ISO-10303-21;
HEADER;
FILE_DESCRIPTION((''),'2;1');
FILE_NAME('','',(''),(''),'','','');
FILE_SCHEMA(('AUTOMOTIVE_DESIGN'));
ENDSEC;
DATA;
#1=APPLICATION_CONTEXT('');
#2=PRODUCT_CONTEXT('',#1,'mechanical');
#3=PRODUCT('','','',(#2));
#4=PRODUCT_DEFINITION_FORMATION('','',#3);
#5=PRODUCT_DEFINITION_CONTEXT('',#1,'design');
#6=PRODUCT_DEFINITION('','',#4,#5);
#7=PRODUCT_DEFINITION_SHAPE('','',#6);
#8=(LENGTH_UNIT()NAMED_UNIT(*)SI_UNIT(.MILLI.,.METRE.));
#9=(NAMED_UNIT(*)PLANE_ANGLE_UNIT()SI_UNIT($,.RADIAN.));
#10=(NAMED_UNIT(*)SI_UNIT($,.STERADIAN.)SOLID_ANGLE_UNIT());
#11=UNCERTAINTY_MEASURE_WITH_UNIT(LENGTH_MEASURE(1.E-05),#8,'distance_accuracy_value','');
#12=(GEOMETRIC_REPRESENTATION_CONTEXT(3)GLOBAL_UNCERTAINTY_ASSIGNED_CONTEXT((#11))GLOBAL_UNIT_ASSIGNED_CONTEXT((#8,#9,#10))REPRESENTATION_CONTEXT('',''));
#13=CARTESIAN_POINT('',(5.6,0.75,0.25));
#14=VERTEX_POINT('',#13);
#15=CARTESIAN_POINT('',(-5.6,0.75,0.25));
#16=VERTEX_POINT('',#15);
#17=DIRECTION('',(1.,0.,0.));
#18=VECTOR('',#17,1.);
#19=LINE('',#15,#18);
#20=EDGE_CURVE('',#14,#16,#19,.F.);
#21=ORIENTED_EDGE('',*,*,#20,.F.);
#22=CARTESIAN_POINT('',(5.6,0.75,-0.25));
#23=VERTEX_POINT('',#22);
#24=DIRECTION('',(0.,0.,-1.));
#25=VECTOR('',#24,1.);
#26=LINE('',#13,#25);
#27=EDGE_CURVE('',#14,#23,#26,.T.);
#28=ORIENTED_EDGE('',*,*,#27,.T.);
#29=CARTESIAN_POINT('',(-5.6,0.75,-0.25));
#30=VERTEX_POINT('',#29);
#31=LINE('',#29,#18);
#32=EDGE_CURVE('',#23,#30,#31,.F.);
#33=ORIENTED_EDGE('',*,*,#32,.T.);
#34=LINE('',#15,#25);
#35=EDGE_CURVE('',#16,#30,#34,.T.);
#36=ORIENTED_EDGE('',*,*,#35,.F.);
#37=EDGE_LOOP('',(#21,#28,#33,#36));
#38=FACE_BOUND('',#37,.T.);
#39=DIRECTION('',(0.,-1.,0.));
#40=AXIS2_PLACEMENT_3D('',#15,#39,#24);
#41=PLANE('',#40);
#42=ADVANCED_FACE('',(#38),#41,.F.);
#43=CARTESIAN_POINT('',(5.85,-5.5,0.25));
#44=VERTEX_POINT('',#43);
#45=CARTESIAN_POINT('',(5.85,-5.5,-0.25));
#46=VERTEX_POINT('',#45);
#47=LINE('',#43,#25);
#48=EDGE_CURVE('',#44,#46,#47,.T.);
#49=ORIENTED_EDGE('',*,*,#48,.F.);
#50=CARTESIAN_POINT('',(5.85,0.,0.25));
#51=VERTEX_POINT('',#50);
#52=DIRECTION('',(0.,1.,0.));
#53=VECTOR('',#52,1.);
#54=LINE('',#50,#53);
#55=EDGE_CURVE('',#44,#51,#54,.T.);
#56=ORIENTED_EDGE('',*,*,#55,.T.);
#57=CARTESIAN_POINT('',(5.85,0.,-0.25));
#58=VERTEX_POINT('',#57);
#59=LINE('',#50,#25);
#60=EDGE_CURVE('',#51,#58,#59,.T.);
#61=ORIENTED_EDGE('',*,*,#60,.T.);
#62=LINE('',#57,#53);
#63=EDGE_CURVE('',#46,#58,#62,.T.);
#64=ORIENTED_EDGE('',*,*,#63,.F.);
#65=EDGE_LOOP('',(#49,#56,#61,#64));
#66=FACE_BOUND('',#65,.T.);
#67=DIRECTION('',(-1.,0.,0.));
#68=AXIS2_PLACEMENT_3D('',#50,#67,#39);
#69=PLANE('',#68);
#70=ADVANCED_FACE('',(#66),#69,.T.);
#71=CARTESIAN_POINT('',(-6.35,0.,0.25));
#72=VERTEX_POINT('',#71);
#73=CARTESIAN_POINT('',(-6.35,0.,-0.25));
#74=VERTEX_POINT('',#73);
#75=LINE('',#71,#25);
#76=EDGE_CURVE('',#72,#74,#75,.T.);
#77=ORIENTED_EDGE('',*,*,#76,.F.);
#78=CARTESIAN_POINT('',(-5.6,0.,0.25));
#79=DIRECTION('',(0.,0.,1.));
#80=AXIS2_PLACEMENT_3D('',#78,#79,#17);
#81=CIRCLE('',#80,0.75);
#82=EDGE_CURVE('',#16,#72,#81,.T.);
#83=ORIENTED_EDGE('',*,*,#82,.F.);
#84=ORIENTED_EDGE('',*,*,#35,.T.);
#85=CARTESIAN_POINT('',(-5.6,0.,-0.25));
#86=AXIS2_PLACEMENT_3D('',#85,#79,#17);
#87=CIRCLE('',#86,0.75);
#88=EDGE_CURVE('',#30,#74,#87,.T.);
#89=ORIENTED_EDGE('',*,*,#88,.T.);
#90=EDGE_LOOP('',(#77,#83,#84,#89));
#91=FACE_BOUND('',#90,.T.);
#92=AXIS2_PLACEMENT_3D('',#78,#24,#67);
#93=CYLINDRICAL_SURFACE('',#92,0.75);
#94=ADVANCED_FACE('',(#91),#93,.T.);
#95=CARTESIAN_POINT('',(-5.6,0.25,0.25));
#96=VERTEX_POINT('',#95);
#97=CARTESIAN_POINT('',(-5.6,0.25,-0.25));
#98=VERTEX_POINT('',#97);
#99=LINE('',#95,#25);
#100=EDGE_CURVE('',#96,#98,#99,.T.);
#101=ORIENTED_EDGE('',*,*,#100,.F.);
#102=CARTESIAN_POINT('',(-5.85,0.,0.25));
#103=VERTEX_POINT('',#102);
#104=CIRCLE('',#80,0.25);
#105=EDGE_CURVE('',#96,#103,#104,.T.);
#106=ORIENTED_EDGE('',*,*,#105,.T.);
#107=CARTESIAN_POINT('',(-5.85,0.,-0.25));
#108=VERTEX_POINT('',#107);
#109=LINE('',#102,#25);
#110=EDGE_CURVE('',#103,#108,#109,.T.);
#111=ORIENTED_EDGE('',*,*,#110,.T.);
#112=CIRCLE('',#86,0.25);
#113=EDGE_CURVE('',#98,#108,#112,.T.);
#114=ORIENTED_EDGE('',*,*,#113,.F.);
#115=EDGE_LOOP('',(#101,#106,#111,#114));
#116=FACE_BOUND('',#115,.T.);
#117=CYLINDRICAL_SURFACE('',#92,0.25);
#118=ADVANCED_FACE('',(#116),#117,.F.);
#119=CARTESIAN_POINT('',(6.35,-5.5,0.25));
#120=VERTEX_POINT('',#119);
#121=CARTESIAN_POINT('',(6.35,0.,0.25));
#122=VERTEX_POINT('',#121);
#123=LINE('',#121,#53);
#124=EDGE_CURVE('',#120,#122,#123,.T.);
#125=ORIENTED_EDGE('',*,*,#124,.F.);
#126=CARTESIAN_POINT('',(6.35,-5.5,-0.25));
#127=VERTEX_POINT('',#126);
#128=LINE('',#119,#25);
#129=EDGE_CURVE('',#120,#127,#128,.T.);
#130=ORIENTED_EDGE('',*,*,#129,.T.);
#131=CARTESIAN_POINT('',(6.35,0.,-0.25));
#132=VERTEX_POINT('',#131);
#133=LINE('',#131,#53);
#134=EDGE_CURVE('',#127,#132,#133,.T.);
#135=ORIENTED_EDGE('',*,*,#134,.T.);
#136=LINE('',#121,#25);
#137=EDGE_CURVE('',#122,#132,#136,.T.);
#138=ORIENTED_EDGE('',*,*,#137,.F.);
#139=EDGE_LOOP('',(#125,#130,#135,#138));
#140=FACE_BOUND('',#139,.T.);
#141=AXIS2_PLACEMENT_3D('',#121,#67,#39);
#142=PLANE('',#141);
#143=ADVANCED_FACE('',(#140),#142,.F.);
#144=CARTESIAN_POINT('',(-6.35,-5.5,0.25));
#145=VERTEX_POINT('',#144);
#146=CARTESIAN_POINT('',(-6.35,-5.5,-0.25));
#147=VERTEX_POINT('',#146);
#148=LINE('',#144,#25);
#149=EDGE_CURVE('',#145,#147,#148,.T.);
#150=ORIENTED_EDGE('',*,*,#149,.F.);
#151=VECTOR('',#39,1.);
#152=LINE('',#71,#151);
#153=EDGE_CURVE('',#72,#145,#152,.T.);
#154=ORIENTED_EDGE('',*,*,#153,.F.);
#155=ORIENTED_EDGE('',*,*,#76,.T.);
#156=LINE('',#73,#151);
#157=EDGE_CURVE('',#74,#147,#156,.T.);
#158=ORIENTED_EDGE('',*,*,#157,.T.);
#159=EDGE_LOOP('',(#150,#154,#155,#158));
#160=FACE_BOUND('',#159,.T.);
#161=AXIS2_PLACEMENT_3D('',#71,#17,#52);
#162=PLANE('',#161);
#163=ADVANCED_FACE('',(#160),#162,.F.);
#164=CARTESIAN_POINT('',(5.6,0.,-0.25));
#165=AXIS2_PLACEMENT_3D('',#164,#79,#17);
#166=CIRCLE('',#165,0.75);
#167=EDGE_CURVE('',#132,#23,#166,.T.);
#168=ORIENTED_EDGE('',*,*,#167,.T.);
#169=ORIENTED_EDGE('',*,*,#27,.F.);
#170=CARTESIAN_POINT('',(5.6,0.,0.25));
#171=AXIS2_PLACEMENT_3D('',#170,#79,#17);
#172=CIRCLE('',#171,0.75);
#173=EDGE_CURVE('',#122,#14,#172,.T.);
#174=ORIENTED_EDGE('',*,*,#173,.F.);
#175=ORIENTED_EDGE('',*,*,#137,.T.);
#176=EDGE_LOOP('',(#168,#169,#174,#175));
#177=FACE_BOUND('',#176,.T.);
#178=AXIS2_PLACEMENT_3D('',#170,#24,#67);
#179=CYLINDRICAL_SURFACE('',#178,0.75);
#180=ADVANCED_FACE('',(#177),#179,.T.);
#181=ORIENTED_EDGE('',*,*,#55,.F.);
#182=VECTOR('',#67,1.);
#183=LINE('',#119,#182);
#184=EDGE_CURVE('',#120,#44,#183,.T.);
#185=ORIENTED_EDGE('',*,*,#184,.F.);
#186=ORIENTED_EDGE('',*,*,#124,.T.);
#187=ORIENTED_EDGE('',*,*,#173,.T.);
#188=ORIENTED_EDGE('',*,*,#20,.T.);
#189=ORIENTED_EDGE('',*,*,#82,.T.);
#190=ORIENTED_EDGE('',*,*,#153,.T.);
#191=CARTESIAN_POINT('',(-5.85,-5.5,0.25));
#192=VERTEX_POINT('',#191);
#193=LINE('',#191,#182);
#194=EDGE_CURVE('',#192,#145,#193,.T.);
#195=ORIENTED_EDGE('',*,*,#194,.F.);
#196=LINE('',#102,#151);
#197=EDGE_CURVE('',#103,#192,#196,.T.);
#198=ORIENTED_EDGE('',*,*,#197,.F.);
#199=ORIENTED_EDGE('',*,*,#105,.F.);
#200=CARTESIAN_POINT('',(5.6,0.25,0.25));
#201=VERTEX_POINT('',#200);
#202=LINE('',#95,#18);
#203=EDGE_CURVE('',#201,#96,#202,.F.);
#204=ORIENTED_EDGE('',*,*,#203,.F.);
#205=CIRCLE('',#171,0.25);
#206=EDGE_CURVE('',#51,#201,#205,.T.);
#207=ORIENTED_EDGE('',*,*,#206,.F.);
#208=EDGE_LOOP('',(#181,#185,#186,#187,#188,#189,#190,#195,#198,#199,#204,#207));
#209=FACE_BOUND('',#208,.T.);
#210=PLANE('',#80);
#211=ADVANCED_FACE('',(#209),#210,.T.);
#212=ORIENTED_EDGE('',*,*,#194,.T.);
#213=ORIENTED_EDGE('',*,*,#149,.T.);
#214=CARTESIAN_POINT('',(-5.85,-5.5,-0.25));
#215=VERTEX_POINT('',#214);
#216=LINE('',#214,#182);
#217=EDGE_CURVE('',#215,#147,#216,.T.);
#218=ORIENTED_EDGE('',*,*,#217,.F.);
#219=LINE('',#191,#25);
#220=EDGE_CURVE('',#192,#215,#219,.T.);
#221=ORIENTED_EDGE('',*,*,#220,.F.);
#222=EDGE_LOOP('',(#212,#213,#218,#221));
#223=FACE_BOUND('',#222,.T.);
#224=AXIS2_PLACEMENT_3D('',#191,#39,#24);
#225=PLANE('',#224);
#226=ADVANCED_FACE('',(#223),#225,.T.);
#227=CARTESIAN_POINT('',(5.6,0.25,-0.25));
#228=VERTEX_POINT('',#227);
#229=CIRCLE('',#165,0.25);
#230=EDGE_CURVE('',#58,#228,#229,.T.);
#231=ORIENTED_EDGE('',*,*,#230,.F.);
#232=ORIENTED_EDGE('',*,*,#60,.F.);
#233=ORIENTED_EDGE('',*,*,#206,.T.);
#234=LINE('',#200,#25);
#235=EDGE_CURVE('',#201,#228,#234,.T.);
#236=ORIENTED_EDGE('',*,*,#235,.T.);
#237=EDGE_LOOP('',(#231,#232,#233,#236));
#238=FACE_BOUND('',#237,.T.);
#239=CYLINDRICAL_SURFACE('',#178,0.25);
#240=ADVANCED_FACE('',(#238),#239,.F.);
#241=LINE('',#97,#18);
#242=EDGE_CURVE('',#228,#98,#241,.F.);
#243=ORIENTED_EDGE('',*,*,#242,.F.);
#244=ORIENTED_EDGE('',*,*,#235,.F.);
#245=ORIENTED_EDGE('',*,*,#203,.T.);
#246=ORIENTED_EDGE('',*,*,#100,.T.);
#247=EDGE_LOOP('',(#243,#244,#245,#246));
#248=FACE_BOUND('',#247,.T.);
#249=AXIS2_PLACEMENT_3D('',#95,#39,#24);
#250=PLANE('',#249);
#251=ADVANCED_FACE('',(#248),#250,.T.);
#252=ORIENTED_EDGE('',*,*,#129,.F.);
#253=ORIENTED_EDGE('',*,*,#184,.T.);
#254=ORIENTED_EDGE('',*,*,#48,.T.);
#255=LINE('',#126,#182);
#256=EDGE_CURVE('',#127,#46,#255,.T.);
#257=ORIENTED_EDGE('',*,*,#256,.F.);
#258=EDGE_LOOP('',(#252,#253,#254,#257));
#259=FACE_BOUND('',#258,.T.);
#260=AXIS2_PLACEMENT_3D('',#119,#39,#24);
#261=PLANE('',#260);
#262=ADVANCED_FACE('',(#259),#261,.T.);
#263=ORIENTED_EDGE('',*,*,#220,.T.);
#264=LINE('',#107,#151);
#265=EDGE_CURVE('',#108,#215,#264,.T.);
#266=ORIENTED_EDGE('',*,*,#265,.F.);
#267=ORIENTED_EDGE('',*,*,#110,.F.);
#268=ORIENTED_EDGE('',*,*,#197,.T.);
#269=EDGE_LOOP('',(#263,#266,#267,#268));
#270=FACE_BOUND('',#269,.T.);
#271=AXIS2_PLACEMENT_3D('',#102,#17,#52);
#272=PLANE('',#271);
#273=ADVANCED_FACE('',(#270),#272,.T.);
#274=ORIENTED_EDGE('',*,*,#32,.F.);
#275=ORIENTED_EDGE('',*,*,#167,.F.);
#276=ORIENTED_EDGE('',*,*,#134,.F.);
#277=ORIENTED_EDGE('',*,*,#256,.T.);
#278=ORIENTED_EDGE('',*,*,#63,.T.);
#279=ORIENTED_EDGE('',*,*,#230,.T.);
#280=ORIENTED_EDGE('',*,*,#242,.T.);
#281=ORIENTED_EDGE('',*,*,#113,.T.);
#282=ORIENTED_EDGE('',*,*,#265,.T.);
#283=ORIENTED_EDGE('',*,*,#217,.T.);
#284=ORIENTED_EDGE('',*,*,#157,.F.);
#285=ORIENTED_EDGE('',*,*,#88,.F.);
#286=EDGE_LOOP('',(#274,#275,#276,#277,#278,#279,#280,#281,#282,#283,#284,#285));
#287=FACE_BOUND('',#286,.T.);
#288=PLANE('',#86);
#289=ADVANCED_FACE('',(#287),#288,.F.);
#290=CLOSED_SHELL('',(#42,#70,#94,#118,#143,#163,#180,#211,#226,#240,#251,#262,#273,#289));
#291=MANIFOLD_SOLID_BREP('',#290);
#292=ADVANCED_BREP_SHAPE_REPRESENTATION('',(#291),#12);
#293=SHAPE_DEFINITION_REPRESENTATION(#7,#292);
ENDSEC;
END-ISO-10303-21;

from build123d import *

# Parameters (mm, degrees)
EXTRUDE_THIN2_DEPTH = 0.25


with BuildPart() as part:
    # Sketch1 → Extrude-Thin2 (new body, symmetric)
    with BuildSketch(Plane.XY):
        with BuildLine():
            Line((-5.85, -5.5), (-5.85, 0))
            ThreePointArc((-5.85, 0), (-5.776776695, 0.176776695), (-5.6, 0.25))
            Line((-5.6, 0.25), (5.6, 0.25))
            ThreePointArc((5.6, 0.25), (5.776776695, 0.176776695), (5.85, 0))
            Line((5.85, 0), (5.85, -5.5))
            Line((5.85, -5.5), (6.35, -5.5))
            Line((6.35, -5.5), (6.35, 0))
            ThreePointArc((6.35, 0), (6.130330086, 0.530330086), (5.6, 0.75))
            Line((5.6, 0.75), (-5.6, 0.75))
            ThreePointArc((-5.6, 0.75), (-6.130330086, 0.530330086), (-6.35, 0))
            Line((-6.35, 0), (-6.35, -5.5))
            Line((-6.35, -5.5), (-5.85, -5.5))
        make_face()
    extrude(amount=EXTRUDE_THIN2_DEPTH, both=True)


solid = part.part
